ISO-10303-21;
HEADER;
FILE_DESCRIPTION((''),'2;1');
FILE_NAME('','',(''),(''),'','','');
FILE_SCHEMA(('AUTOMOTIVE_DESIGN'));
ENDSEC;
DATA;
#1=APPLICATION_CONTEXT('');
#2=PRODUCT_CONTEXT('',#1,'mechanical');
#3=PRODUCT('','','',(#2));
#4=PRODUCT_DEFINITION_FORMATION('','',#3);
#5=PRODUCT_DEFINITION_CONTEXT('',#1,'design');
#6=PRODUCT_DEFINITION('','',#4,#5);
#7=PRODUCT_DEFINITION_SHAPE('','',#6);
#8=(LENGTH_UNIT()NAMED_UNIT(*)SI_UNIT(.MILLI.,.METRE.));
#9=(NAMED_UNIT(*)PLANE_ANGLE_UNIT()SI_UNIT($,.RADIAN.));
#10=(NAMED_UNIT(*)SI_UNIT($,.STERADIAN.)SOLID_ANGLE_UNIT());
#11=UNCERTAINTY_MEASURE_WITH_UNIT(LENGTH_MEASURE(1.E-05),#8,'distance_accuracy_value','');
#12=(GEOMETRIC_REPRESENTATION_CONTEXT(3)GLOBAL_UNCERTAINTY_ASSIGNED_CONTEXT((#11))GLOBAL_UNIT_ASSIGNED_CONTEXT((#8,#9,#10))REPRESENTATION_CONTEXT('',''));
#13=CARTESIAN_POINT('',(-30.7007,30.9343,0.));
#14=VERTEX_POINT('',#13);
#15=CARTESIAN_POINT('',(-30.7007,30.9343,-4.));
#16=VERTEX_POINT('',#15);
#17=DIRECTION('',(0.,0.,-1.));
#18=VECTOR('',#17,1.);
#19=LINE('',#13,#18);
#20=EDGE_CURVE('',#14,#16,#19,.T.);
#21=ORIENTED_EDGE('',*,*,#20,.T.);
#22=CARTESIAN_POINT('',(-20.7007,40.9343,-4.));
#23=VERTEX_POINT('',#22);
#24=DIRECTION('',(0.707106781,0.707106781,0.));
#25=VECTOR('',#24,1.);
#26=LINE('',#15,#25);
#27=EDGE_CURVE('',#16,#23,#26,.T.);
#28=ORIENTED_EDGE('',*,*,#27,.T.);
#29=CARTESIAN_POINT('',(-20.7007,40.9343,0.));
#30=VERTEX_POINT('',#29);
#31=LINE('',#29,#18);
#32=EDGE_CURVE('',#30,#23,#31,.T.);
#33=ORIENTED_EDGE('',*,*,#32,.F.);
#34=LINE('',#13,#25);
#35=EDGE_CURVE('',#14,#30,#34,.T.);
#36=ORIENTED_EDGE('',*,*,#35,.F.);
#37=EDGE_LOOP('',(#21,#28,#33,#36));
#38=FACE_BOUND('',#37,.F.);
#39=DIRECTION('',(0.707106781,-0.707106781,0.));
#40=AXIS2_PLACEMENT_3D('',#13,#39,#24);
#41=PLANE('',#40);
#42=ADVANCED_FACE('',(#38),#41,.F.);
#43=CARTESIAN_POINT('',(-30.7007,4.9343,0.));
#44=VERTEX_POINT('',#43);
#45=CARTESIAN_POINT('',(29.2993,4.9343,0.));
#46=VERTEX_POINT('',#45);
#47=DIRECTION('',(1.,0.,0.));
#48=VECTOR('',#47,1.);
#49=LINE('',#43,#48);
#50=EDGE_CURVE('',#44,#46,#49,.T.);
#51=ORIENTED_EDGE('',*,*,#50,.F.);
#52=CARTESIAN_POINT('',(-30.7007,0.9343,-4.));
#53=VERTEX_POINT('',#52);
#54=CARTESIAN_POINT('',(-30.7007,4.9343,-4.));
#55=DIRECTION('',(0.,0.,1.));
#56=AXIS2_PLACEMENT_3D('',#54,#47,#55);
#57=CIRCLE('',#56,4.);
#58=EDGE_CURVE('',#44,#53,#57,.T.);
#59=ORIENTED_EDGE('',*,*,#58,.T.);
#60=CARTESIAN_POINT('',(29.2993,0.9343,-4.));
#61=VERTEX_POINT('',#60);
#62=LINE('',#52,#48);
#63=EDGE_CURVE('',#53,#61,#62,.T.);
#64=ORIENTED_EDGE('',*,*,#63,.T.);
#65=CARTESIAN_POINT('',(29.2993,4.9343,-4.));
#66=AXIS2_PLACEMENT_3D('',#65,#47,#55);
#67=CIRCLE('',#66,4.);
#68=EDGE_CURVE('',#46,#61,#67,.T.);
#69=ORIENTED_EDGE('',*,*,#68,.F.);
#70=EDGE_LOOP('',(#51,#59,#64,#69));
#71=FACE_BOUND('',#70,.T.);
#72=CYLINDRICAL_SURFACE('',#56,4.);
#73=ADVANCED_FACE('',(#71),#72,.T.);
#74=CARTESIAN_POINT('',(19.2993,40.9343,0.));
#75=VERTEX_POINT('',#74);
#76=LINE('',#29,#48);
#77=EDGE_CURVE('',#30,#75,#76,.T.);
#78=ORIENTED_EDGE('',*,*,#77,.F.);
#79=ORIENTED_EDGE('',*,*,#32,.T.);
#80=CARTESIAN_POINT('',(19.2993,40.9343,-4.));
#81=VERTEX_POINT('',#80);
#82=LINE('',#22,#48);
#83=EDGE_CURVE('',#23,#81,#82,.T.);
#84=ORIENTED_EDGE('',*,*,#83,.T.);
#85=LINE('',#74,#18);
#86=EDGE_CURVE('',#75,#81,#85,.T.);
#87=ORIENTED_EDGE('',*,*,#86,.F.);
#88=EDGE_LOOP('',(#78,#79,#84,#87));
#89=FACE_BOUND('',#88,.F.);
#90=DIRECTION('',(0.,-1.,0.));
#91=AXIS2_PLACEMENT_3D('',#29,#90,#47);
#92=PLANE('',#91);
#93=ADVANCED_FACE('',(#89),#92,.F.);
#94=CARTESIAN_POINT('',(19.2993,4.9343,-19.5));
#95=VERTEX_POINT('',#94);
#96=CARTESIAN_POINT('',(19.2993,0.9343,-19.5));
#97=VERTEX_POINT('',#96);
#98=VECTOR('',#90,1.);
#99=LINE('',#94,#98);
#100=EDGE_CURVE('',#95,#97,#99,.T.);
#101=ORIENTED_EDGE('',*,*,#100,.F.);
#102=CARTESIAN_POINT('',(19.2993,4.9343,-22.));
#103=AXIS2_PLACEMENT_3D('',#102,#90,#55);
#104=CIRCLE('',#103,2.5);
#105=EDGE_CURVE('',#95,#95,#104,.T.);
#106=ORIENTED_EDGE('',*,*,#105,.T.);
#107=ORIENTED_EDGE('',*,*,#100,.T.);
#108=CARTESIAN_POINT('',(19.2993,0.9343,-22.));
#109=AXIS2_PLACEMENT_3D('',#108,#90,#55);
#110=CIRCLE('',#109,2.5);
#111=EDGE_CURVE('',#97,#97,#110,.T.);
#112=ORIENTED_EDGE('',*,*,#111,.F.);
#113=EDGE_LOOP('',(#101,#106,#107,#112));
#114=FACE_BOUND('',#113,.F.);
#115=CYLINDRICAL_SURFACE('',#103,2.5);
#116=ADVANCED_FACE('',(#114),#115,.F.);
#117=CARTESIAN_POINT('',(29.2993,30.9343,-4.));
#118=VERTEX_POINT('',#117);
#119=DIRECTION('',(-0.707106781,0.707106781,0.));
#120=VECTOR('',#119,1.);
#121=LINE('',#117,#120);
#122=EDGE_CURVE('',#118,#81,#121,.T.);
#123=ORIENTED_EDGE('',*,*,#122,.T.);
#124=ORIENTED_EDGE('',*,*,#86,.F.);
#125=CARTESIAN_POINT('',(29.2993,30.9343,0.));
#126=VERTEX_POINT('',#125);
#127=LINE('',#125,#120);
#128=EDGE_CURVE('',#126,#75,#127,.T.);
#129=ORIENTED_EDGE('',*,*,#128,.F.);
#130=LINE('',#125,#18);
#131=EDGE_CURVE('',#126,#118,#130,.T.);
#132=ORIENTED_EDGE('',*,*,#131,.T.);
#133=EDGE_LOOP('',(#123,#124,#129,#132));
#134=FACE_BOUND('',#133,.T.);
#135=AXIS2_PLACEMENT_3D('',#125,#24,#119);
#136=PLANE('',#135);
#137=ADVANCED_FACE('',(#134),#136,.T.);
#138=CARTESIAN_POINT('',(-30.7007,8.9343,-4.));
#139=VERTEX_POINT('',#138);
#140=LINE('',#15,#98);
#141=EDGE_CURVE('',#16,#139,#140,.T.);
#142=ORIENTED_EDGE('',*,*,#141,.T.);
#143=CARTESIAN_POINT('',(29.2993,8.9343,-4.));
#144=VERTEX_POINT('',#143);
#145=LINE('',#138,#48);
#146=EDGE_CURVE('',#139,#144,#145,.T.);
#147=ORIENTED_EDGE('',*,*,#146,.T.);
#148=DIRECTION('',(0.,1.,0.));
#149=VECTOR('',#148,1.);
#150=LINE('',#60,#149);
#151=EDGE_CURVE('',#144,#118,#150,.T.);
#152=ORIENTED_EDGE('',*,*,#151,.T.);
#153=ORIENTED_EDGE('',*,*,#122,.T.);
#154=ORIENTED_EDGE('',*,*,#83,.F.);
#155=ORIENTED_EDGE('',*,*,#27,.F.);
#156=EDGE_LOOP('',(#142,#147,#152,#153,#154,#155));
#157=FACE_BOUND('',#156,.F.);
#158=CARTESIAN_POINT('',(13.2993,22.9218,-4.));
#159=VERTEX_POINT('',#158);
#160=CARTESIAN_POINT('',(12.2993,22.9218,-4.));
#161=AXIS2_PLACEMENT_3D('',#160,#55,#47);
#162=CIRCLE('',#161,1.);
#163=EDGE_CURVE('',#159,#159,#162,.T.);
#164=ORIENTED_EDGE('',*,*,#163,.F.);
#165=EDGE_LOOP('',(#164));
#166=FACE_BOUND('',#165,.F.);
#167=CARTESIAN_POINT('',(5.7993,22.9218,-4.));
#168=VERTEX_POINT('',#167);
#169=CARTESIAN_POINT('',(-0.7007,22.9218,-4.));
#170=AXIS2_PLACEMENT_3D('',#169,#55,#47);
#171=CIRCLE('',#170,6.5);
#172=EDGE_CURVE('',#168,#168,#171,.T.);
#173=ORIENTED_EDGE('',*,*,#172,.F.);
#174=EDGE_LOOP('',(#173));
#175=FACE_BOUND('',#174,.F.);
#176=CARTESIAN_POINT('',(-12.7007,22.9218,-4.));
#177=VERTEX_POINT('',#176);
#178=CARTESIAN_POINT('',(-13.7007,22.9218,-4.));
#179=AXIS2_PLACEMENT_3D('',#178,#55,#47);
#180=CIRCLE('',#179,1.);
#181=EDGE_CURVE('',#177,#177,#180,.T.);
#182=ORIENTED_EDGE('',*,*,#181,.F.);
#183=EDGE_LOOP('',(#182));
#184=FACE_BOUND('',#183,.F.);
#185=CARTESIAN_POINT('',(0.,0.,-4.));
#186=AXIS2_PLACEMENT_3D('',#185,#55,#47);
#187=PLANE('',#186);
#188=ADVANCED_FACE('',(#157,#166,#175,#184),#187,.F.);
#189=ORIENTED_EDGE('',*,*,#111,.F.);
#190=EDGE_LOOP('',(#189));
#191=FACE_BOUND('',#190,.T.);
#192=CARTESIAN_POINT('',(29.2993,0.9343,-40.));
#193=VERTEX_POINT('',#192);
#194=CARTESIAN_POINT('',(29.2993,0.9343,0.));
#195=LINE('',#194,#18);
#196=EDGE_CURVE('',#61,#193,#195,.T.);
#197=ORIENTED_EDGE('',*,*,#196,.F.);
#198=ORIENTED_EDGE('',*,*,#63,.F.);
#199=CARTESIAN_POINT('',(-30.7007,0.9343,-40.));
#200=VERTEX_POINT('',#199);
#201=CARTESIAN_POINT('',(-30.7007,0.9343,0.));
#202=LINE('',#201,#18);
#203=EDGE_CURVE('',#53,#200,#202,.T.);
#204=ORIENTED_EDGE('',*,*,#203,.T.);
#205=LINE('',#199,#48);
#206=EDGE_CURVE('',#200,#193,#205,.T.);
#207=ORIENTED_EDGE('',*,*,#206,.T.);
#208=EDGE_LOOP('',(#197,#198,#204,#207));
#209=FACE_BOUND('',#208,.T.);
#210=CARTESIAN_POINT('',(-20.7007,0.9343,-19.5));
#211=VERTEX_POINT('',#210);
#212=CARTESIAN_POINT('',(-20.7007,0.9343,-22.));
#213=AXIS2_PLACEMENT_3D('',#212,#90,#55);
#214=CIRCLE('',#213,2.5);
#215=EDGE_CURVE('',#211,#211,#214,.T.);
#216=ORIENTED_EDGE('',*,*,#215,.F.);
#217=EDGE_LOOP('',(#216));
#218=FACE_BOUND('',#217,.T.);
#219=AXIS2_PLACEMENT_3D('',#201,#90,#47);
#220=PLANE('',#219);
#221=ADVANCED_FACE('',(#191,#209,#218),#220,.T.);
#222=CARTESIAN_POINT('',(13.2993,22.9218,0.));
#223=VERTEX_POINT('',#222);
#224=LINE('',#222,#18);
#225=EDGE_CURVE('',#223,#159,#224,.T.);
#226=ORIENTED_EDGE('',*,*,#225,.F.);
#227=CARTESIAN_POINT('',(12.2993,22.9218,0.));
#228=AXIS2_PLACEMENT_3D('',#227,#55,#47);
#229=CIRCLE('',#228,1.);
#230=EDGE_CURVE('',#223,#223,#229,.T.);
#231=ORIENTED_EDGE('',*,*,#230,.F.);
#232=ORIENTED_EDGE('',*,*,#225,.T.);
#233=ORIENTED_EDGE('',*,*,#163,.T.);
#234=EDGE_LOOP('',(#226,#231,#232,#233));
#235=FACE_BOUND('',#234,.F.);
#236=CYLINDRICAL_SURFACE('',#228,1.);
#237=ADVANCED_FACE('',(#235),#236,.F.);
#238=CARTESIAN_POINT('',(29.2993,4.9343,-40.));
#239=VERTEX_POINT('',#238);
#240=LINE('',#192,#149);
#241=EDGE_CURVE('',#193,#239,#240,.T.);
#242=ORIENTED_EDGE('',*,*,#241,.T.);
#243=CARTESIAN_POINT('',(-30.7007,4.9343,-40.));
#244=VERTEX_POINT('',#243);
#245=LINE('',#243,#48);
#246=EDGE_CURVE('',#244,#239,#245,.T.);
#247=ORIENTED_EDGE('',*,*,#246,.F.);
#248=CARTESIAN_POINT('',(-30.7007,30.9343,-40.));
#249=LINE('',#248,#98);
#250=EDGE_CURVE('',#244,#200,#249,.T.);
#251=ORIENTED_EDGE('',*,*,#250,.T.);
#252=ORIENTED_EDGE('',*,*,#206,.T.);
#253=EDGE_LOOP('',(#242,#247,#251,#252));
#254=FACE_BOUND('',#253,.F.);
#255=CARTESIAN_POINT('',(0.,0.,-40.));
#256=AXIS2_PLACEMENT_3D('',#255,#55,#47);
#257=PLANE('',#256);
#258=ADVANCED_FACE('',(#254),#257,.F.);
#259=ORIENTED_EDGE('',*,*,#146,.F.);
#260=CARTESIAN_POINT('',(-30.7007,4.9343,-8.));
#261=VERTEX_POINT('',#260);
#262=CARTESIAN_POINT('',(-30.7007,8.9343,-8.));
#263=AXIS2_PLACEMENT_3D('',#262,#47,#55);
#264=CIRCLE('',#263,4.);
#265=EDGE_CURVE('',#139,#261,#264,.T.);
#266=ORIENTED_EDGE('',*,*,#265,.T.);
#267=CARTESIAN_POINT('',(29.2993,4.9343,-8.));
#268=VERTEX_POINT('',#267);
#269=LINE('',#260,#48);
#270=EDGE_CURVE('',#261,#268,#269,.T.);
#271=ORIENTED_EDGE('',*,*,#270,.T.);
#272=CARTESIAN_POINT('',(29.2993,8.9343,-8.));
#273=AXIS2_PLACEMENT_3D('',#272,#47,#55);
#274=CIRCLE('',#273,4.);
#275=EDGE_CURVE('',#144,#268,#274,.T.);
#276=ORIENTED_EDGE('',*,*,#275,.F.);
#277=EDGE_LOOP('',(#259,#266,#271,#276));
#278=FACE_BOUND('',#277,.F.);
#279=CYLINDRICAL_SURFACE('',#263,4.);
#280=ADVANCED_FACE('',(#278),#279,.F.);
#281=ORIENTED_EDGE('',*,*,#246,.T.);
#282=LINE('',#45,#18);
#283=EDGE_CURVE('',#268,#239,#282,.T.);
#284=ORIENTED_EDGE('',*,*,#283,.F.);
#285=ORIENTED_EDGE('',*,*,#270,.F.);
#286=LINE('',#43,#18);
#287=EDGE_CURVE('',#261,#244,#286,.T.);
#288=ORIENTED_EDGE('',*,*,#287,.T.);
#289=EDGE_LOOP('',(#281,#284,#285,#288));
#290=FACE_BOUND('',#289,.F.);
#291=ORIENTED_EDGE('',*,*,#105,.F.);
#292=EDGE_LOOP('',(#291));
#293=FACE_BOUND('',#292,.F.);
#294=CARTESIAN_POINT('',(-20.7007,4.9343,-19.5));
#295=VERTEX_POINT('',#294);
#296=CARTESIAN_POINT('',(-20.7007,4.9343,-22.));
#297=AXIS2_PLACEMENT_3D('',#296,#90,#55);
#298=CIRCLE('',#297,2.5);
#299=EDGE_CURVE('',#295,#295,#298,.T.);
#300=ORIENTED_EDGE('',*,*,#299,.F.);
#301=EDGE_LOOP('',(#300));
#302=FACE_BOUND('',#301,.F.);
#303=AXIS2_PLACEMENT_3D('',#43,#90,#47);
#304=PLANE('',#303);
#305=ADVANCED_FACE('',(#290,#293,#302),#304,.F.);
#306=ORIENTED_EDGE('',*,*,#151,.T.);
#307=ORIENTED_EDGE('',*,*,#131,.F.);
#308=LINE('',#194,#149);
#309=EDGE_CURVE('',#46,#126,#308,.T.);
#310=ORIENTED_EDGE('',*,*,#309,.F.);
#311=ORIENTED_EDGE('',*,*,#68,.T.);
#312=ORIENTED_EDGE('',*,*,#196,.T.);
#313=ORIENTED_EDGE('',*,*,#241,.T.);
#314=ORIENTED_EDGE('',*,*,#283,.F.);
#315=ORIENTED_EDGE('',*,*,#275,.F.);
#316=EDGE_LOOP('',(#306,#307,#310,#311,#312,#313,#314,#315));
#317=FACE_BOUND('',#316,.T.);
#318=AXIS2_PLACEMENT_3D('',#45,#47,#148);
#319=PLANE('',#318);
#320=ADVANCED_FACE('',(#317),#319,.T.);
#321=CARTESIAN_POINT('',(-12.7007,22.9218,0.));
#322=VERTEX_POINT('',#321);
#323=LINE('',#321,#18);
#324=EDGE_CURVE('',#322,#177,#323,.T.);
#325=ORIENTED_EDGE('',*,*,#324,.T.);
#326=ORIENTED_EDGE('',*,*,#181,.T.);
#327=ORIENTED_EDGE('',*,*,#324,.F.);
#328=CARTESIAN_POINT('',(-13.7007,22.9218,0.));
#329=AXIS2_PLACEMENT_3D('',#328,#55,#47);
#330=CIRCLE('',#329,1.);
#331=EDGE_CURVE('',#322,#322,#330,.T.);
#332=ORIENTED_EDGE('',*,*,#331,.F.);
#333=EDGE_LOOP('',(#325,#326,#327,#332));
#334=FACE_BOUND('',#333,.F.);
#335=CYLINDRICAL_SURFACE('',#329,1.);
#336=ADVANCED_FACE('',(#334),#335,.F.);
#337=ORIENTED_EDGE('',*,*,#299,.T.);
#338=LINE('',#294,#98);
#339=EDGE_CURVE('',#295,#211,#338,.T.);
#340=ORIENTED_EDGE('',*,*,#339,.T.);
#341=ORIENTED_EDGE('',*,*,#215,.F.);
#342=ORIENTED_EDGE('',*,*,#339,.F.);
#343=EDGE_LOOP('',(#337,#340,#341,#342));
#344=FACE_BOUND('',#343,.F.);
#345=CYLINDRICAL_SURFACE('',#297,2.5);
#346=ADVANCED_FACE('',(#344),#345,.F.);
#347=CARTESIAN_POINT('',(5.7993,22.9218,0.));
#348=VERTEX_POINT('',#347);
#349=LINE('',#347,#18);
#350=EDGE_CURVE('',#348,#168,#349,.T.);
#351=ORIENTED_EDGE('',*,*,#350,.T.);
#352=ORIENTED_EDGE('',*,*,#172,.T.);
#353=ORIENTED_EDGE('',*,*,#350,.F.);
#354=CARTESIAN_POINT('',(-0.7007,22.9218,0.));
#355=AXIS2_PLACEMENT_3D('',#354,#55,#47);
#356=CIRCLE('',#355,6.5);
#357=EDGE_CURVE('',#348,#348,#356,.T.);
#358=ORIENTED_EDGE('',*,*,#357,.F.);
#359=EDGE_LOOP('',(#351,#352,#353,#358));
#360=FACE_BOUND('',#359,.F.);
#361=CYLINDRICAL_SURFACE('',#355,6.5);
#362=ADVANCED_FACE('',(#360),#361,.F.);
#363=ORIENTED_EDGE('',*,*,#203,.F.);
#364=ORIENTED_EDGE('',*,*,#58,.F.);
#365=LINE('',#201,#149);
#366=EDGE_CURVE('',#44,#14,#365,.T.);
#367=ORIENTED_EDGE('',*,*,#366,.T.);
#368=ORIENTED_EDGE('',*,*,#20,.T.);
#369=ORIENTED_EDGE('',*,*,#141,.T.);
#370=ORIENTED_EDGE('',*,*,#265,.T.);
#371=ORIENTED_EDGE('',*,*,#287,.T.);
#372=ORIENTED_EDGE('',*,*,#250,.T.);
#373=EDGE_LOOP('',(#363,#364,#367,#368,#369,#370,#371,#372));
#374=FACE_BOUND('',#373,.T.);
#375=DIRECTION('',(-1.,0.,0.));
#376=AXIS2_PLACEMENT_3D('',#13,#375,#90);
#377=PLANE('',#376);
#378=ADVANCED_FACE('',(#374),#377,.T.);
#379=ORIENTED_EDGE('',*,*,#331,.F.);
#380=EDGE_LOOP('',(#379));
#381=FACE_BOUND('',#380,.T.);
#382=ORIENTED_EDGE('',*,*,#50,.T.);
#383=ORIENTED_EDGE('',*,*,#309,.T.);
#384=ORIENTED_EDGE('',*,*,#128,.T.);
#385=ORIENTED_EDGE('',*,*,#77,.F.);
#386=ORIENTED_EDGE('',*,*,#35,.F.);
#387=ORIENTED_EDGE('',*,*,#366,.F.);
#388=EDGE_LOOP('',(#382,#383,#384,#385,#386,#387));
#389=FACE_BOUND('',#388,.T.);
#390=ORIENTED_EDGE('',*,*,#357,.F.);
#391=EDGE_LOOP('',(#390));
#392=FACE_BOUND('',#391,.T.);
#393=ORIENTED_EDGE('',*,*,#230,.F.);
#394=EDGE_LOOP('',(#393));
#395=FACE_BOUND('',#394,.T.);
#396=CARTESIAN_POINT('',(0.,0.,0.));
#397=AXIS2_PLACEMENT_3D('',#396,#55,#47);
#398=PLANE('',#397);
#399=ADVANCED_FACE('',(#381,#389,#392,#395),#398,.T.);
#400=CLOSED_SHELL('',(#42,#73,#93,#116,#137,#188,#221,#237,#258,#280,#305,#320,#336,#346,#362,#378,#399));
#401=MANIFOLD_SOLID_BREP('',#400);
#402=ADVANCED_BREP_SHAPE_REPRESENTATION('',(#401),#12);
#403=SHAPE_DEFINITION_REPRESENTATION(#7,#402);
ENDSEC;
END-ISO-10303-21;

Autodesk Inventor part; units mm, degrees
ref_plane "YZ Plane" through (0, 0, 0) normal (1, 0, 0) x (0, 1, 0)
ref_plane "XZ Plane" through (0, 0, 0) normal (0, 1, 0) x (-1, 0, 0)
ref_plane "XY Plane" through (0, 0, 0) normal (0, 0, 1) x (1, 0, 0)
sketch "Sketch1" plane through (0, 0, 0) normal (0, 0, 1) x (1, 0, 0)
  line L0 (-30.7007, 0.9343) -> (29.2993, 0.9343)
  line L1 (-30.7007, 0.9343) -> (29.2993, 0.9343) construction
  line L2 (29.2993, 0.9343) -> (29.2993, 30.9343)
  line L3 (-30.7007, 30.9343) -> (-30.7007, 0.9343)
  line L4 (-30.7007, 4.9343) -> (29.2993, 4.9343)
  line L5 (-30.7007, 30.9343) -> (-20.7007, 40.9343)
  line L6 (-30.7007, 30.9343) -> (-16.5586, 30.9343) construction
  line L7 (-0.7007, 4.9343) -> (-0.7007, 40.9093) construction
  circle A0 centre (-0.7007, 22.9218) radius 6.5
  line L8 (-0.7007, 22.9218) -> (29.2993, 22.9218) construction
  circle A1 centre (12.2993, 22.9218) radius 1
  line L9 (29.2993, 30.9343) -> (19.2993, 40.9343)
  line L10 (-20.7007, 40.9343) -> (19.2993, 40.9343)
  line L11 (-0.7007, 22.9218) -> (-30.7007, 22.9218) construction
  circle A2 centre (-13.7007, 22.9218) radius 1
  point P0 (-30.2757, 2.8287)
  dimension "d13" = 60
  dimension "d15" = 30
  dimension "d17" = 45
  dimension "d20" = 4
  dimension "d53" = 13
  dimension "d56" = 13
  dimension "d57" = 2
  dimension "d58" = 40
extrude "Extrusion3" add sketch "Sketch1" against normal blind 4 contours L3 L5 L10 L9 L2 L4
extrude "Extrusion4" add sketch "Sketch1" against normal blind 40 contours L3 L4 L2 L0
sketch "Sketch4" plane through (-30.7007, 4.9343, -4) normal (0, 1, 0) x (1, 0, 0)
  line L0 (60, 0) -> (60, 36) projected
  line L1 (60, 18) -> (0, 18) construction
  line L2 (0, 0) -> (0, 36) projected
  line L3 (0, 36) -> (60, 36) projected
  line L4 (30, 36) -> (30, 0) construction
  line L5 (10, 0) -> (50, 0) projected
  circle A0 centre (50, 18) radius 2.5
  circle A1 centre (10, 18) radius 2.5
  point P0 (30.7007, -4)
  dimension "d63" = 10
  dimension "d64" = 5
hole "Hole3" at (19.2993, 4.9343, -22) at (-20.7007, 4.9343, -22) direction (0, -1, 0) diameter 5 end through all
thread "Thread1" size "M6x1" class "6H" standard "ANSI Metric M Profile" full length
thread "Thread2" size "M6x1" class "6H" standard "ANSI Metric M Profile" full length
fillet "Fillet2" radius 4 1 edges at (-0.7007, 4.9343, -4)
fillet "Fillet3" radius 4 1 edges at (-0.7007, 0.9343, 0)
thread "Thread3" size "M6x1" class "6H" standard "ANSI Metric M Profile" full length
thread "Thread4" size "M5x0.8" class "6H" standard "ANSI Metric M Profile" full length
thread "Thread5" size "M5x0.8" class "6H" standard "ANSI Metric M Profile" full length
thread "Thread6" size "M5x0.8" class "6H" standard "ANSI Metric M Profile" full length
properties part number "MotorHolder" material "Steel, Alloy"
